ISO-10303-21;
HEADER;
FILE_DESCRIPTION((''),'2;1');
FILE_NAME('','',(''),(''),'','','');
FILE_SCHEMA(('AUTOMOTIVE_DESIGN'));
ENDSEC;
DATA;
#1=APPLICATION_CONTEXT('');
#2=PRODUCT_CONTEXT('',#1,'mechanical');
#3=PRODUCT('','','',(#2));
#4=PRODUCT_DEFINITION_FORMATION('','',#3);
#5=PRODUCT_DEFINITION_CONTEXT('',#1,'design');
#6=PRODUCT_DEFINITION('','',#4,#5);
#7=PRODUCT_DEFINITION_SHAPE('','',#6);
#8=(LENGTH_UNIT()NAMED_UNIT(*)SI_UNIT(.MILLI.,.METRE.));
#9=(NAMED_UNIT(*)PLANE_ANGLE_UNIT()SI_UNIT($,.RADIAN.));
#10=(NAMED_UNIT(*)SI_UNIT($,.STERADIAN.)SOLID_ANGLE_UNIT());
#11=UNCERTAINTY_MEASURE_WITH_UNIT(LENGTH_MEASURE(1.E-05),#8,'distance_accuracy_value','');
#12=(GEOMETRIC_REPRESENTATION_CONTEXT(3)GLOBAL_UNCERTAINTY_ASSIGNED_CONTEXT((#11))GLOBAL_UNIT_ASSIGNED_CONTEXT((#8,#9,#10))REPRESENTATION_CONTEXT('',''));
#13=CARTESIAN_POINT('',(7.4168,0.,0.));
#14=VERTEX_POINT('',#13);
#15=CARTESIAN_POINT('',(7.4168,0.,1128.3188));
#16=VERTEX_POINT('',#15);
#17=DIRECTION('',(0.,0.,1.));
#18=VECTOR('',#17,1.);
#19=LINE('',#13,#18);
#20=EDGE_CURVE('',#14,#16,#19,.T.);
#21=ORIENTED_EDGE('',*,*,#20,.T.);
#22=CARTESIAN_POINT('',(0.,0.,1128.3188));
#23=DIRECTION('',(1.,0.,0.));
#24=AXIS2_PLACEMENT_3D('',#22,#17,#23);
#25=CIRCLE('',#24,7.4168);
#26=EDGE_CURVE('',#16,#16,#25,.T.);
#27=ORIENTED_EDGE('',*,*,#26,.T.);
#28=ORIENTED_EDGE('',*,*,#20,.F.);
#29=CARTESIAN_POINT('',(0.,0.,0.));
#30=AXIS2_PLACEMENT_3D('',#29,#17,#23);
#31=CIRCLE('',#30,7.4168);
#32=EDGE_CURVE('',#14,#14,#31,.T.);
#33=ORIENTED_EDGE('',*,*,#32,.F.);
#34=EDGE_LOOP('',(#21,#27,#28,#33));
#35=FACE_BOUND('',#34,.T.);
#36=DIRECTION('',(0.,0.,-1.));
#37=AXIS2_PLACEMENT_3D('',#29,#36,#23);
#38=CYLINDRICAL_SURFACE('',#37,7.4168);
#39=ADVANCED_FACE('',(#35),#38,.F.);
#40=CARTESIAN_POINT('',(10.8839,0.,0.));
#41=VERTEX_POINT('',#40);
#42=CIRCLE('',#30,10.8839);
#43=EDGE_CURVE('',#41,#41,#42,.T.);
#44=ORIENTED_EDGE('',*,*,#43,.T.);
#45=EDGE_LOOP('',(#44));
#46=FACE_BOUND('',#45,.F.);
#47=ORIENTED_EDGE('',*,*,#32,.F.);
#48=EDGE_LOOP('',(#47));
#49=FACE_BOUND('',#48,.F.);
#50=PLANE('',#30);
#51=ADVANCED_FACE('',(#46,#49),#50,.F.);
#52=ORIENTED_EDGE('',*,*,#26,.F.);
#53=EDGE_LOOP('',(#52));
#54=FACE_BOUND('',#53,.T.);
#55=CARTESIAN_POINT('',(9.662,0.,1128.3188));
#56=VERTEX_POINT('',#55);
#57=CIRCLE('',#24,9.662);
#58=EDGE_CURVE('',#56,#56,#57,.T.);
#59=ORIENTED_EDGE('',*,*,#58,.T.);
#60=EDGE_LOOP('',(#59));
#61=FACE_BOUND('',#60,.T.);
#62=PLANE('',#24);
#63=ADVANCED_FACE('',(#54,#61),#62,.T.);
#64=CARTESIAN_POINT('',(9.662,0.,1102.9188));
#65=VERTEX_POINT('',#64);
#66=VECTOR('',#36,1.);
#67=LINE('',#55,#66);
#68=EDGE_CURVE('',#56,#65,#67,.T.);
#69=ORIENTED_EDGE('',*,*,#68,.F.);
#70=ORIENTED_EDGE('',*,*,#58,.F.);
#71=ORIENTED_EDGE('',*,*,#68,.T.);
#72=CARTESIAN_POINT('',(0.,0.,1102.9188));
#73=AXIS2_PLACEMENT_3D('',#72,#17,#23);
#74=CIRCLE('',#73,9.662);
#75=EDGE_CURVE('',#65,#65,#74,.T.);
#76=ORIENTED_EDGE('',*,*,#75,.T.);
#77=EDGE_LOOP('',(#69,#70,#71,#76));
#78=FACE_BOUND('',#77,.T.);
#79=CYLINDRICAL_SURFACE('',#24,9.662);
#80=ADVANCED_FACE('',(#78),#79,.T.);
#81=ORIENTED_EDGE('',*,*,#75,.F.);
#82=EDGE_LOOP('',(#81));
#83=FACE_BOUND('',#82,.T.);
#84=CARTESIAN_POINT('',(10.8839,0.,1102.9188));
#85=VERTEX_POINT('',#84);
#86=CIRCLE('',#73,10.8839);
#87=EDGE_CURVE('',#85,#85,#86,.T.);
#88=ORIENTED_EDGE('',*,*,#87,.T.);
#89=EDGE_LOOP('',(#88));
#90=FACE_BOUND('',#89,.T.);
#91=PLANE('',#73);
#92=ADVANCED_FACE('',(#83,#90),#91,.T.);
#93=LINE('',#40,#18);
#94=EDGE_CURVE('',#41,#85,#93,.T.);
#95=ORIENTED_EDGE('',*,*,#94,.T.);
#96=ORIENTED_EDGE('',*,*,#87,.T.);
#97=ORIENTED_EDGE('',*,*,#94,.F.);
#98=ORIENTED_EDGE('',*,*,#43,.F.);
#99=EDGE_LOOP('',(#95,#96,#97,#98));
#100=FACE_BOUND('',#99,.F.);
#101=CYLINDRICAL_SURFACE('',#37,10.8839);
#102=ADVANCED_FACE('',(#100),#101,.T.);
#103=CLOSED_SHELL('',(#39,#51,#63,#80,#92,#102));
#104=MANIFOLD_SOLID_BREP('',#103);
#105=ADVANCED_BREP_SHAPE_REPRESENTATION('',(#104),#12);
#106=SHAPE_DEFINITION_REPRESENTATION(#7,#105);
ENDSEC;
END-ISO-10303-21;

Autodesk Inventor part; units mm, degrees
ref_plane "YZ Plane" through (0, 0, 0) normal (1, 0, 0) x (0, 1, 0)
ref_plane "XZ Plane" through (0, 0, 0) normal (0, 1, 0) x (-1, 0, 0)
ref_plane "XY Plane" through (0, 0, 0) normal (0, 0, 1) x (1, 0, 0)
sketch "Sketch1" plane through (0, 0, 0) normal (0, 0, 1) x (1, 0, 0)
  circle A0 centre (0, 0) radius 7.4168
  circle A1 centre (0, 0) radius 10.8839
  dimension "d0" = 14.8336
  dimension "d1" = 21.7678
extrude "Extrusion1" add sketch "Sketch1" along normal blind 1128.3188
sketch "Sketch2" plane through (0, 0, 1128.3188) normal (0, 0, 1) x (1, 0, 0)
  circle A0 centre (0, 0) radius 10.8839 projected
  circle A1 centre (0, 0) radius 9.662
extrude "Extrusion2" cut sketch "Sketch2" against normal blind 25.4
thread "Thread2" size "13/16-10 UNC" class "2A" standard "ANSI Unified Screw Threads" full length
properties part number "Pipe1"
